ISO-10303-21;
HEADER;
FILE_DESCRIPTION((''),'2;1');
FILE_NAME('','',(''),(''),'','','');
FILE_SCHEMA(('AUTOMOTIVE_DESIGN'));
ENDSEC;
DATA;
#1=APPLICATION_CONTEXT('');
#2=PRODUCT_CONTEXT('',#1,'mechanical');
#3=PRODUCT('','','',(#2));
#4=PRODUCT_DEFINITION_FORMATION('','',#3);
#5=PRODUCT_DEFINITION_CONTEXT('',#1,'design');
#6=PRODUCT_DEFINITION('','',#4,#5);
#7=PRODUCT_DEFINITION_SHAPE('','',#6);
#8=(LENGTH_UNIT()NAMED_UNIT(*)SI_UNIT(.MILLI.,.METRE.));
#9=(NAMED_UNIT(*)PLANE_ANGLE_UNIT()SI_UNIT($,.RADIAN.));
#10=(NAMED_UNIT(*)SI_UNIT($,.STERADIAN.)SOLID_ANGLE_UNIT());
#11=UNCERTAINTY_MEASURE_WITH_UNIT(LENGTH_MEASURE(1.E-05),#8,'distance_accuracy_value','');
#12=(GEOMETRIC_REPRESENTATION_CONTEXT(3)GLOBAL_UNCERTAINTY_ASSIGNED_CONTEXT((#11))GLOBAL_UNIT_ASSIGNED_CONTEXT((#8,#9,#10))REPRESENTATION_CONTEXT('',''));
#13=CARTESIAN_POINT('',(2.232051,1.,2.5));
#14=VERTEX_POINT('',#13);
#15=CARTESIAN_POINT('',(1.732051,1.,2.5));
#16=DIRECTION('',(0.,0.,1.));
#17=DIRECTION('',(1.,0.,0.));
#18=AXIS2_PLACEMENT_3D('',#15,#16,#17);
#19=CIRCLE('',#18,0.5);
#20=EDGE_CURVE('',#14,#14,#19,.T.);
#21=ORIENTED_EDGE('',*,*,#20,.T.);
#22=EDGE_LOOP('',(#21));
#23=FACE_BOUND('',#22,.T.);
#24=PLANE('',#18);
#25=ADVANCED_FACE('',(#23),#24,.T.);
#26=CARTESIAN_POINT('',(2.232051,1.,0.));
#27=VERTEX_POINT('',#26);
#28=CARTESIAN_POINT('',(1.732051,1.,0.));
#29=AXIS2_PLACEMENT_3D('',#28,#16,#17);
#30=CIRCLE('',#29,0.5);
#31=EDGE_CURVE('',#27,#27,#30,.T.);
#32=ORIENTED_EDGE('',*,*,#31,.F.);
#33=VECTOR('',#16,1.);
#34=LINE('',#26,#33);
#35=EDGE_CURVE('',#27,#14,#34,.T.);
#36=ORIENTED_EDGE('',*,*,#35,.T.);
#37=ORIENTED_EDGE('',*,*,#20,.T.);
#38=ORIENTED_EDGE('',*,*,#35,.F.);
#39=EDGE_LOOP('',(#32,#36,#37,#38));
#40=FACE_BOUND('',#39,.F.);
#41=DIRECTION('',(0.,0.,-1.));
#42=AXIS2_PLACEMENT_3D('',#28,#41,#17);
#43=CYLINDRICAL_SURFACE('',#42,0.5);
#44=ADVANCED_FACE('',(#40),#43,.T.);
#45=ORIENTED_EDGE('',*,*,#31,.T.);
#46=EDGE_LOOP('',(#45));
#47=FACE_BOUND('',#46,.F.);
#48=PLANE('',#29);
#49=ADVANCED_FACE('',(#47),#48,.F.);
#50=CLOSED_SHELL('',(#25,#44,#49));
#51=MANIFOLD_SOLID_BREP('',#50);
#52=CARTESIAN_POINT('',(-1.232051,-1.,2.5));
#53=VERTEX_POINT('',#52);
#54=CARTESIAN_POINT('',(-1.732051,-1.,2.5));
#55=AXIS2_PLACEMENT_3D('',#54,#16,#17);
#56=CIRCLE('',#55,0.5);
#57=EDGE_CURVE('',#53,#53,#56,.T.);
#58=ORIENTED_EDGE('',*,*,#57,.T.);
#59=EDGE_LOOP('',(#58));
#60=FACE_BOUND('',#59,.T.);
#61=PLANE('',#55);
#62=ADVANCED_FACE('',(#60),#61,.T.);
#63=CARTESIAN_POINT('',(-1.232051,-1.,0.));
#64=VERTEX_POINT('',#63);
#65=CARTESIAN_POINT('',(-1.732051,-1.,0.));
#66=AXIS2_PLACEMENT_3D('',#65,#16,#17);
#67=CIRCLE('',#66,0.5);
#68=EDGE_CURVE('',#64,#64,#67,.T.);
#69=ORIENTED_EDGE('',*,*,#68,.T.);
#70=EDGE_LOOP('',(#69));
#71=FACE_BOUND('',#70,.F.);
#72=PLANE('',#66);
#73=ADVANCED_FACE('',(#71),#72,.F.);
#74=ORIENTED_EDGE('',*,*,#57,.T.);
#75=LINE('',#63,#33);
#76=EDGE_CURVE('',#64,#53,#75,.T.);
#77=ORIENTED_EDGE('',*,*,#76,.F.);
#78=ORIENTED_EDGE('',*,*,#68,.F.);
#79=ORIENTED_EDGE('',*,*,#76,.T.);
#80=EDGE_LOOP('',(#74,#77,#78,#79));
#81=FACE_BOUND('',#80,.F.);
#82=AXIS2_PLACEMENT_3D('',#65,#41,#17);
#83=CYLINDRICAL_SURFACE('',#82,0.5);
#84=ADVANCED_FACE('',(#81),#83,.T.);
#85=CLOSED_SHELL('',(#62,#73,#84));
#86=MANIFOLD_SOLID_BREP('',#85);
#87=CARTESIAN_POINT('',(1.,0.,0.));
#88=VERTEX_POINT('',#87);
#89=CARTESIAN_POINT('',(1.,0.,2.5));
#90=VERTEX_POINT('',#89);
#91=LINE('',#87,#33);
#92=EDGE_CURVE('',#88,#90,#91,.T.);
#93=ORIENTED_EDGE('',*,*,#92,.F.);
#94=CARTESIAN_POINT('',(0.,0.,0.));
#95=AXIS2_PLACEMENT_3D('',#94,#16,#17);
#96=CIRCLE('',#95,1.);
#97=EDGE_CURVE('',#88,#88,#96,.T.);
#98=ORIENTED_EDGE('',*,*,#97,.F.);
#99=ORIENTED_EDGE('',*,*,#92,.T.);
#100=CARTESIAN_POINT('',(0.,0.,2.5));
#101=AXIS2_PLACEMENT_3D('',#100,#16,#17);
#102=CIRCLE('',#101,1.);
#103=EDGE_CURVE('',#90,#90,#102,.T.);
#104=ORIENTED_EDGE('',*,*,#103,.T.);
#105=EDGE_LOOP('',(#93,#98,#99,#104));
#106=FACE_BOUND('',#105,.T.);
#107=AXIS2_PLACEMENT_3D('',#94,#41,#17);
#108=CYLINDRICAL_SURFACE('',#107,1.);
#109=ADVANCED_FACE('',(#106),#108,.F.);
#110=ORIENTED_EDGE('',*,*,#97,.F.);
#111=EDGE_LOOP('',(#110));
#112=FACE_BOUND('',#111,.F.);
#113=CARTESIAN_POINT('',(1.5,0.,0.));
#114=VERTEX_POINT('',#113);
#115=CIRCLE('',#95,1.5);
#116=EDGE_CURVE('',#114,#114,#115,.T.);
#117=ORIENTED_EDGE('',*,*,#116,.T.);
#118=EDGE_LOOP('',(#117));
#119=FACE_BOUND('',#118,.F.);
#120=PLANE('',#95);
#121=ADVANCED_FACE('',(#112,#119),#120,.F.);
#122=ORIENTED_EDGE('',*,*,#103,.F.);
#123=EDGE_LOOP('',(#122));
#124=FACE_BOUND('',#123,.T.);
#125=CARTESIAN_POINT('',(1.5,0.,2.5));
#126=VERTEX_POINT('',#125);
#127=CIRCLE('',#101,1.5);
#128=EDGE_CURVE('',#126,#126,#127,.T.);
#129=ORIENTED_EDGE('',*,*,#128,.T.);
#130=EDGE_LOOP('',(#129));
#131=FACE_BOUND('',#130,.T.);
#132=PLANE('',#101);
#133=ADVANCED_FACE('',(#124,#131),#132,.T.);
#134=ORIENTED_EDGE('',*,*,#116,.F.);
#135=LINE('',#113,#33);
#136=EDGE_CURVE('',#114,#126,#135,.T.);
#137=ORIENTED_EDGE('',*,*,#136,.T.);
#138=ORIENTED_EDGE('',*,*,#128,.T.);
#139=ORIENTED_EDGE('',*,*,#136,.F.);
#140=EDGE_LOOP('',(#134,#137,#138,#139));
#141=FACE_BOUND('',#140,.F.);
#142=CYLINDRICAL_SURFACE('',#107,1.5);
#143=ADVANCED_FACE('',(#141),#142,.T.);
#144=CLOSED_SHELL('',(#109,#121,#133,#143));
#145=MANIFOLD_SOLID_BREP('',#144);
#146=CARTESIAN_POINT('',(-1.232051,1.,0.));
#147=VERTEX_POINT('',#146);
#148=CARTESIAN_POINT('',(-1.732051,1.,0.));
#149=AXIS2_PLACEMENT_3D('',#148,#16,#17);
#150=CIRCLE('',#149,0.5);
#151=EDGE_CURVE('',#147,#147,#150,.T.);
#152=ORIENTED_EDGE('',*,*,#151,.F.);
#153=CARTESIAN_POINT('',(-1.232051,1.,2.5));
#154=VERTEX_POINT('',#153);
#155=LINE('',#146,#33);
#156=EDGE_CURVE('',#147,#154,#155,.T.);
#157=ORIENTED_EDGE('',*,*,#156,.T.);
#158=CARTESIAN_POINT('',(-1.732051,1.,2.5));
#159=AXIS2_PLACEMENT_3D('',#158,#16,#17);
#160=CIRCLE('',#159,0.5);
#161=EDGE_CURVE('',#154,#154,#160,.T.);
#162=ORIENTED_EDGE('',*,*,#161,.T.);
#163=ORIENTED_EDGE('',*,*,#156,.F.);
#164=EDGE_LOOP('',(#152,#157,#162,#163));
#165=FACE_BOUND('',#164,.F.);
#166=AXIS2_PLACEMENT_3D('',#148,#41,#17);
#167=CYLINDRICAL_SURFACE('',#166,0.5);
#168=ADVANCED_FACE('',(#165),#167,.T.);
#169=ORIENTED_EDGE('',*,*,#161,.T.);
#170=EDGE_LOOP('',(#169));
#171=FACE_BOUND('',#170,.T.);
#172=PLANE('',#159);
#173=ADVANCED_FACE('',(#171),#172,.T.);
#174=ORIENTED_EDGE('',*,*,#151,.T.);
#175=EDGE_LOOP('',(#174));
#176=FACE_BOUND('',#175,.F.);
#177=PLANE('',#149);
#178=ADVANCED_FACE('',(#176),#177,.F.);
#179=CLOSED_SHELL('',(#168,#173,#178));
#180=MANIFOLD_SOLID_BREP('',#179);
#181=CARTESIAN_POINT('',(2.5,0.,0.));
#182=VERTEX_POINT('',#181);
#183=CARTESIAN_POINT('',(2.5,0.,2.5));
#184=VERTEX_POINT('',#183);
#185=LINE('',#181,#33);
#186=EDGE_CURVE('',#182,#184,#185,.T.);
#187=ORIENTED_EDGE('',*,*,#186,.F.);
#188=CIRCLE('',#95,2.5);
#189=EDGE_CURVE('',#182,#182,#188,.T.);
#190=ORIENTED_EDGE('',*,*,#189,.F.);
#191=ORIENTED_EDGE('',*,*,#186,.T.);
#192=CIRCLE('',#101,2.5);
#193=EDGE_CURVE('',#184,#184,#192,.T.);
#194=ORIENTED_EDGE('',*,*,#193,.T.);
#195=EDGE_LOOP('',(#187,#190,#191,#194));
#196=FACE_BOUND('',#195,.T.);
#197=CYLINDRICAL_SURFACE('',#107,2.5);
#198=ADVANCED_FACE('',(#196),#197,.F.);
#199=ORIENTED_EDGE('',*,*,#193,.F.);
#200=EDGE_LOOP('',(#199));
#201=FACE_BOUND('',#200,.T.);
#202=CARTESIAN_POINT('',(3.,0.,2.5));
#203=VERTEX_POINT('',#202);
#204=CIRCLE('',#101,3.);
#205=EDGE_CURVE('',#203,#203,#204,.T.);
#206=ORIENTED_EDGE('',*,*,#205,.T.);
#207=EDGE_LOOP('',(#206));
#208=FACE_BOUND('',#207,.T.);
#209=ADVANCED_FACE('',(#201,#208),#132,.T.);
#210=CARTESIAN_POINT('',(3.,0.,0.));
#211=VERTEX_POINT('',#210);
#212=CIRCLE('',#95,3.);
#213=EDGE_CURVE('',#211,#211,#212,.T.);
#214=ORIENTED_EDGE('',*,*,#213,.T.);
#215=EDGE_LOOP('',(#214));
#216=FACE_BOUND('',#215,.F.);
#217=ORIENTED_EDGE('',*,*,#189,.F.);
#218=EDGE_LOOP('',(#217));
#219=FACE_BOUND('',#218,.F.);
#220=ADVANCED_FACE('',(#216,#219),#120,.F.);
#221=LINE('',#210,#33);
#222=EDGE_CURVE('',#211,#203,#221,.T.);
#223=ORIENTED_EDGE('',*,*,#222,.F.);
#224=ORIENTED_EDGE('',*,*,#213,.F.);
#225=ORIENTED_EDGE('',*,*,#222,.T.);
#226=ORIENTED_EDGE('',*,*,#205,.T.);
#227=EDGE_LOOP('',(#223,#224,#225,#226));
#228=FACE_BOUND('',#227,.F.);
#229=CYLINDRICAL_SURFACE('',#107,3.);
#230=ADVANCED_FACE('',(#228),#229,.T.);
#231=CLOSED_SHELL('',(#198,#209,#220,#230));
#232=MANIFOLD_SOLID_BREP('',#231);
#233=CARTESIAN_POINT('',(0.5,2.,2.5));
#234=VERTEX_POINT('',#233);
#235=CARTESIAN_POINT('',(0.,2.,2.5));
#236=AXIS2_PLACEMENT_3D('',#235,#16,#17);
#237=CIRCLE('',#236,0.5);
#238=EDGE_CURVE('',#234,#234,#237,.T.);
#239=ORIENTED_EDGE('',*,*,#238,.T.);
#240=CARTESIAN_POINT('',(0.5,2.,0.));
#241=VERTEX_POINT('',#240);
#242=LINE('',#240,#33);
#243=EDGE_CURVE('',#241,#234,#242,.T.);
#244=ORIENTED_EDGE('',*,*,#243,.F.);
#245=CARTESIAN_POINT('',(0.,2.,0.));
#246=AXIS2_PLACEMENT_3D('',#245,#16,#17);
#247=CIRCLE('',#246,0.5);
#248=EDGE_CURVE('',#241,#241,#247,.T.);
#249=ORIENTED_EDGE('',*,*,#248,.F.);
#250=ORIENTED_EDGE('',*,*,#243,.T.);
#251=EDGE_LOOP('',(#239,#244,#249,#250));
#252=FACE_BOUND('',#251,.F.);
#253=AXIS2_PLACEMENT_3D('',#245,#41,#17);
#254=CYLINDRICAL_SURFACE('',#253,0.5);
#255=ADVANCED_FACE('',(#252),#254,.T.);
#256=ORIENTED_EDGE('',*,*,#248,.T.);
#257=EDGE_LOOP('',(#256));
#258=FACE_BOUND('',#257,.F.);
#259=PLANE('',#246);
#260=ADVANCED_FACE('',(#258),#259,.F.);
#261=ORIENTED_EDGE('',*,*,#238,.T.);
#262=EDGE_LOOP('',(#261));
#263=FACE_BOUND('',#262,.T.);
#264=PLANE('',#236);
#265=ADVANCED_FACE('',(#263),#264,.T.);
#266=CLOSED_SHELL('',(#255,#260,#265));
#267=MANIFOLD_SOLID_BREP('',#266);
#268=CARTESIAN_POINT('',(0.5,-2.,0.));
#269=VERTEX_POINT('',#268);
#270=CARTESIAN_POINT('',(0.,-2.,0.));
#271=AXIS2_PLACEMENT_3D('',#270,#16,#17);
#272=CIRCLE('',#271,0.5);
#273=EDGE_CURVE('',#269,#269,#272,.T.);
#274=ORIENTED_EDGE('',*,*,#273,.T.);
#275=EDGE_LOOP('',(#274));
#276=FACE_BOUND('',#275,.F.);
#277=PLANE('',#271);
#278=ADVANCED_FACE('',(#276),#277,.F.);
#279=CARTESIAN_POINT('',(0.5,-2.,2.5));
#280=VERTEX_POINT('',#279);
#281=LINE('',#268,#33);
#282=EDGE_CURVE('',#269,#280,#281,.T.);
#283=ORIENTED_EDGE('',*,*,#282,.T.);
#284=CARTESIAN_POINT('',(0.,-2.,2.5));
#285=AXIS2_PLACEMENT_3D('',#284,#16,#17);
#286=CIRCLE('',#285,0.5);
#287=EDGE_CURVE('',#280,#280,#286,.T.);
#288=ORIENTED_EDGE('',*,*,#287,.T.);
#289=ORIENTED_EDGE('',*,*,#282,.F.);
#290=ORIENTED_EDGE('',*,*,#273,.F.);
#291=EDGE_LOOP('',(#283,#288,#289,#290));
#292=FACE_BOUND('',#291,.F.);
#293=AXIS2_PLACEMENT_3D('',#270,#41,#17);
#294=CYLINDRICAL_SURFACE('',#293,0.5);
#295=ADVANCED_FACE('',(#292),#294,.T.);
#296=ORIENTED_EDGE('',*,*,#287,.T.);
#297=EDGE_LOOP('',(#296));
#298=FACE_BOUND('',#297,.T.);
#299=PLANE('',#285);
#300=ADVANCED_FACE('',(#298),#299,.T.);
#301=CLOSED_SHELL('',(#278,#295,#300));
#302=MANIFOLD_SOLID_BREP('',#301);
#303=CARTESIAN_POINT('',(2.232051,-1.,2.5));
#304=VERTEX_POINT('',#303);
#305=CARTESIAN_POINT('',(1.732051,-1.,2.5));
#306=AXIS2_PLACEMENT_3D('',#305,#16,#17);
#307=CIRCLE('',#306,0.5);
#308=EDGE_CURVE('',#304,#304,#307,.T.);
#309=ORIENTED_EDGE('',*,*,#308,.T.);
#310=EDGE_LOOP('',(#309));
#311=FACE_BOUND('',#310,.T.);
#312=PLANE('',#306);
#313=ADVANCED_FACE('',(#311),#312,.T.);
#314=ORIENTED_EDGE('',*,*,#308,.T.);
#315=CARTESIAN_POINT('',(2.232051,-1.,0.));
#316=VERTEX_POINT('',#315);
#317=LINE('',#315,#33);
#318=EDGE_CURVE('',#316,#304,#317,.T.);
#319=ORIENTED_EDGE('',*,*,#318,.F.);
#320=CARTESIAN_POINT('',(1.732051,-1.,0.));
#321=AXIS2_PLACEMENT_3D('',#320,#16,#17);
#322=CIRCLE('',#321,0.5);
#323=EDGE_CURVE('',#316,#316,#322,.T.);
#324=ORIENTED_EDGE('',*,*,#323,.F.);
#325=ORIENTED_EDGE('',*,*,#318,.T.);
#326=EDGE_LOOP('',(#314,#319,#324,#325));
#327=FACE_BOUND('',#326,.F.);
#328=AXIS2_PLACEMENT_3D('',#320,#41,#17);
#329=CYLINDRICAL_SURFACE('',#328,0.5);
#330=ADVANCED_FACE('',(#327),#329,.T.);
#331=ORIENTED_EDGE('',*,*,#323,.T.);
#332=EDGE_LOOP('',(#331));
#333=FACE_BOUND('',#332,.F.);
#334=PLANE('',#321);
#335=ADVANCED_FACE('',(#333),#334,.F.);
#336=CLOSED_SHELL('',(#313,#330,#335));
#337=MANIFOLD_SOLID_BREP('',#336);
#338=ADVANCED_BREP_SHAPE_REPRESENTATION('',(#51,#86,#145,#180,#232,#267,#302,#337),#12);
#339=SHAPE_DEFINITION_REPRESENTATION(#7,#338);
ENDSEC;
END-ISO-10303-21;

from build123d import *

# Parameters (mm, degrees)
SKETCH_1_R        = 1.5
SKETCH_1_R_2      = 1
EXTRUDE_1_DEPTH   = 2.5
SKETCH_1_R_3      = 0.5
EXTRUDE_1_2_DEPTH = 2.5
SKETCH_1_R_4      = 3
SKETCH_1_R_5      = 2.5
EXTRUDE_1_3_DEPTH = 2.5
EXTRUDE_1_4_DEPTH = 2.5
EXTRUDE_1_5_DEPTH = 2.5
EXTRUDE_1_6_DEPTH = 2.5
EXTRUDE_1_7_DEPTH = 2.5
EXTRUDE_1_8_DEPTH = 2.5


with BuildPart() as part:
    # 草图1 → 凸台-拉伸1 (new body)
    with BuildSketch(Plane.XY):
        Circle(SKETCH_1_R)
        Circle(SKETCH_1_R_2, mode=Mode.SUBTRACT)
    extrude(amount=EXTRUDE_1_DEPTH)


with BuildPart() as body_2:
    # 草图1 → Extrude 1 2 (new body)
    with BuildSketch(Plane.XY):
        with Locations((0, 2)):
            Circle(SKETCH_1_R_3)
    extrude(amount=EXTRUDE_1_2_DEPTH)


with BuildPart() as body_3:
    # 草图1 → Extrude 1 3 (new body)
    with BuildSketch(Plane.XY):
        Circle(SKETCH_1_R_4)
        Circle(SKETCH_1_R_5, mode=Mode.SUBTRACT)
    extrude(amount=EXTRUDE_1_3_DEPTH)


with BuildPart() as body_4:
    # 草图1 → Extrude 1 4 (new body)
    with BuildSketch(Plane.XY):
        with Locations((-1.732050808, 1)):
            Circle(SKETCH_1_R_3)
    extrude(amount=EXTRUDE_1_4_DEPTH)


with BuildPart() as body_5:
    # 草图1 → Extrude 1 5 (new body)
    with BuildSketch(Plane.XY):
        with Locations((1.732050808, 1)):
            Circle(SKETCH_1_R_3)
    extrude(amount=EXTRUDE_1_5_DEPTH)


with BuildPart() as body_6:
    # 草图1 → Extrude 1 6 (new body)
    with BuildSketch(Plane.XY):
        with Locations((1.732050808, -1)):
            Circle(SKETCH_1_R_3)
    extrude(amount=EXTRUDE_1_6_DEPTH)


with BuildPart() as body_7:
    # 草图1 → Extrude 1 7 (new body)
    with BuildSketch(Plane.XY):
        with Locations((0, -2)):
            Circle(SKETCH_1_R_3)
    extrude(amount=EXTRUDE_1_7_DEPTH)


with BuildPart() as body_8:
    # 草图1 → Extrude 1 8 (new body)
    with BuildSketch(Plane.XY):
        with Locations((-1.732050808, -1)):
            Circle(SKETCH_1_R_3)
    extrude(amount=EXTRUDE_1_8_DEPTH)


solid = Compound([part.part, body_2.part, body_3.part, body_4.part, body_5.part, body_6.part, body_7.part, body_8.part])
